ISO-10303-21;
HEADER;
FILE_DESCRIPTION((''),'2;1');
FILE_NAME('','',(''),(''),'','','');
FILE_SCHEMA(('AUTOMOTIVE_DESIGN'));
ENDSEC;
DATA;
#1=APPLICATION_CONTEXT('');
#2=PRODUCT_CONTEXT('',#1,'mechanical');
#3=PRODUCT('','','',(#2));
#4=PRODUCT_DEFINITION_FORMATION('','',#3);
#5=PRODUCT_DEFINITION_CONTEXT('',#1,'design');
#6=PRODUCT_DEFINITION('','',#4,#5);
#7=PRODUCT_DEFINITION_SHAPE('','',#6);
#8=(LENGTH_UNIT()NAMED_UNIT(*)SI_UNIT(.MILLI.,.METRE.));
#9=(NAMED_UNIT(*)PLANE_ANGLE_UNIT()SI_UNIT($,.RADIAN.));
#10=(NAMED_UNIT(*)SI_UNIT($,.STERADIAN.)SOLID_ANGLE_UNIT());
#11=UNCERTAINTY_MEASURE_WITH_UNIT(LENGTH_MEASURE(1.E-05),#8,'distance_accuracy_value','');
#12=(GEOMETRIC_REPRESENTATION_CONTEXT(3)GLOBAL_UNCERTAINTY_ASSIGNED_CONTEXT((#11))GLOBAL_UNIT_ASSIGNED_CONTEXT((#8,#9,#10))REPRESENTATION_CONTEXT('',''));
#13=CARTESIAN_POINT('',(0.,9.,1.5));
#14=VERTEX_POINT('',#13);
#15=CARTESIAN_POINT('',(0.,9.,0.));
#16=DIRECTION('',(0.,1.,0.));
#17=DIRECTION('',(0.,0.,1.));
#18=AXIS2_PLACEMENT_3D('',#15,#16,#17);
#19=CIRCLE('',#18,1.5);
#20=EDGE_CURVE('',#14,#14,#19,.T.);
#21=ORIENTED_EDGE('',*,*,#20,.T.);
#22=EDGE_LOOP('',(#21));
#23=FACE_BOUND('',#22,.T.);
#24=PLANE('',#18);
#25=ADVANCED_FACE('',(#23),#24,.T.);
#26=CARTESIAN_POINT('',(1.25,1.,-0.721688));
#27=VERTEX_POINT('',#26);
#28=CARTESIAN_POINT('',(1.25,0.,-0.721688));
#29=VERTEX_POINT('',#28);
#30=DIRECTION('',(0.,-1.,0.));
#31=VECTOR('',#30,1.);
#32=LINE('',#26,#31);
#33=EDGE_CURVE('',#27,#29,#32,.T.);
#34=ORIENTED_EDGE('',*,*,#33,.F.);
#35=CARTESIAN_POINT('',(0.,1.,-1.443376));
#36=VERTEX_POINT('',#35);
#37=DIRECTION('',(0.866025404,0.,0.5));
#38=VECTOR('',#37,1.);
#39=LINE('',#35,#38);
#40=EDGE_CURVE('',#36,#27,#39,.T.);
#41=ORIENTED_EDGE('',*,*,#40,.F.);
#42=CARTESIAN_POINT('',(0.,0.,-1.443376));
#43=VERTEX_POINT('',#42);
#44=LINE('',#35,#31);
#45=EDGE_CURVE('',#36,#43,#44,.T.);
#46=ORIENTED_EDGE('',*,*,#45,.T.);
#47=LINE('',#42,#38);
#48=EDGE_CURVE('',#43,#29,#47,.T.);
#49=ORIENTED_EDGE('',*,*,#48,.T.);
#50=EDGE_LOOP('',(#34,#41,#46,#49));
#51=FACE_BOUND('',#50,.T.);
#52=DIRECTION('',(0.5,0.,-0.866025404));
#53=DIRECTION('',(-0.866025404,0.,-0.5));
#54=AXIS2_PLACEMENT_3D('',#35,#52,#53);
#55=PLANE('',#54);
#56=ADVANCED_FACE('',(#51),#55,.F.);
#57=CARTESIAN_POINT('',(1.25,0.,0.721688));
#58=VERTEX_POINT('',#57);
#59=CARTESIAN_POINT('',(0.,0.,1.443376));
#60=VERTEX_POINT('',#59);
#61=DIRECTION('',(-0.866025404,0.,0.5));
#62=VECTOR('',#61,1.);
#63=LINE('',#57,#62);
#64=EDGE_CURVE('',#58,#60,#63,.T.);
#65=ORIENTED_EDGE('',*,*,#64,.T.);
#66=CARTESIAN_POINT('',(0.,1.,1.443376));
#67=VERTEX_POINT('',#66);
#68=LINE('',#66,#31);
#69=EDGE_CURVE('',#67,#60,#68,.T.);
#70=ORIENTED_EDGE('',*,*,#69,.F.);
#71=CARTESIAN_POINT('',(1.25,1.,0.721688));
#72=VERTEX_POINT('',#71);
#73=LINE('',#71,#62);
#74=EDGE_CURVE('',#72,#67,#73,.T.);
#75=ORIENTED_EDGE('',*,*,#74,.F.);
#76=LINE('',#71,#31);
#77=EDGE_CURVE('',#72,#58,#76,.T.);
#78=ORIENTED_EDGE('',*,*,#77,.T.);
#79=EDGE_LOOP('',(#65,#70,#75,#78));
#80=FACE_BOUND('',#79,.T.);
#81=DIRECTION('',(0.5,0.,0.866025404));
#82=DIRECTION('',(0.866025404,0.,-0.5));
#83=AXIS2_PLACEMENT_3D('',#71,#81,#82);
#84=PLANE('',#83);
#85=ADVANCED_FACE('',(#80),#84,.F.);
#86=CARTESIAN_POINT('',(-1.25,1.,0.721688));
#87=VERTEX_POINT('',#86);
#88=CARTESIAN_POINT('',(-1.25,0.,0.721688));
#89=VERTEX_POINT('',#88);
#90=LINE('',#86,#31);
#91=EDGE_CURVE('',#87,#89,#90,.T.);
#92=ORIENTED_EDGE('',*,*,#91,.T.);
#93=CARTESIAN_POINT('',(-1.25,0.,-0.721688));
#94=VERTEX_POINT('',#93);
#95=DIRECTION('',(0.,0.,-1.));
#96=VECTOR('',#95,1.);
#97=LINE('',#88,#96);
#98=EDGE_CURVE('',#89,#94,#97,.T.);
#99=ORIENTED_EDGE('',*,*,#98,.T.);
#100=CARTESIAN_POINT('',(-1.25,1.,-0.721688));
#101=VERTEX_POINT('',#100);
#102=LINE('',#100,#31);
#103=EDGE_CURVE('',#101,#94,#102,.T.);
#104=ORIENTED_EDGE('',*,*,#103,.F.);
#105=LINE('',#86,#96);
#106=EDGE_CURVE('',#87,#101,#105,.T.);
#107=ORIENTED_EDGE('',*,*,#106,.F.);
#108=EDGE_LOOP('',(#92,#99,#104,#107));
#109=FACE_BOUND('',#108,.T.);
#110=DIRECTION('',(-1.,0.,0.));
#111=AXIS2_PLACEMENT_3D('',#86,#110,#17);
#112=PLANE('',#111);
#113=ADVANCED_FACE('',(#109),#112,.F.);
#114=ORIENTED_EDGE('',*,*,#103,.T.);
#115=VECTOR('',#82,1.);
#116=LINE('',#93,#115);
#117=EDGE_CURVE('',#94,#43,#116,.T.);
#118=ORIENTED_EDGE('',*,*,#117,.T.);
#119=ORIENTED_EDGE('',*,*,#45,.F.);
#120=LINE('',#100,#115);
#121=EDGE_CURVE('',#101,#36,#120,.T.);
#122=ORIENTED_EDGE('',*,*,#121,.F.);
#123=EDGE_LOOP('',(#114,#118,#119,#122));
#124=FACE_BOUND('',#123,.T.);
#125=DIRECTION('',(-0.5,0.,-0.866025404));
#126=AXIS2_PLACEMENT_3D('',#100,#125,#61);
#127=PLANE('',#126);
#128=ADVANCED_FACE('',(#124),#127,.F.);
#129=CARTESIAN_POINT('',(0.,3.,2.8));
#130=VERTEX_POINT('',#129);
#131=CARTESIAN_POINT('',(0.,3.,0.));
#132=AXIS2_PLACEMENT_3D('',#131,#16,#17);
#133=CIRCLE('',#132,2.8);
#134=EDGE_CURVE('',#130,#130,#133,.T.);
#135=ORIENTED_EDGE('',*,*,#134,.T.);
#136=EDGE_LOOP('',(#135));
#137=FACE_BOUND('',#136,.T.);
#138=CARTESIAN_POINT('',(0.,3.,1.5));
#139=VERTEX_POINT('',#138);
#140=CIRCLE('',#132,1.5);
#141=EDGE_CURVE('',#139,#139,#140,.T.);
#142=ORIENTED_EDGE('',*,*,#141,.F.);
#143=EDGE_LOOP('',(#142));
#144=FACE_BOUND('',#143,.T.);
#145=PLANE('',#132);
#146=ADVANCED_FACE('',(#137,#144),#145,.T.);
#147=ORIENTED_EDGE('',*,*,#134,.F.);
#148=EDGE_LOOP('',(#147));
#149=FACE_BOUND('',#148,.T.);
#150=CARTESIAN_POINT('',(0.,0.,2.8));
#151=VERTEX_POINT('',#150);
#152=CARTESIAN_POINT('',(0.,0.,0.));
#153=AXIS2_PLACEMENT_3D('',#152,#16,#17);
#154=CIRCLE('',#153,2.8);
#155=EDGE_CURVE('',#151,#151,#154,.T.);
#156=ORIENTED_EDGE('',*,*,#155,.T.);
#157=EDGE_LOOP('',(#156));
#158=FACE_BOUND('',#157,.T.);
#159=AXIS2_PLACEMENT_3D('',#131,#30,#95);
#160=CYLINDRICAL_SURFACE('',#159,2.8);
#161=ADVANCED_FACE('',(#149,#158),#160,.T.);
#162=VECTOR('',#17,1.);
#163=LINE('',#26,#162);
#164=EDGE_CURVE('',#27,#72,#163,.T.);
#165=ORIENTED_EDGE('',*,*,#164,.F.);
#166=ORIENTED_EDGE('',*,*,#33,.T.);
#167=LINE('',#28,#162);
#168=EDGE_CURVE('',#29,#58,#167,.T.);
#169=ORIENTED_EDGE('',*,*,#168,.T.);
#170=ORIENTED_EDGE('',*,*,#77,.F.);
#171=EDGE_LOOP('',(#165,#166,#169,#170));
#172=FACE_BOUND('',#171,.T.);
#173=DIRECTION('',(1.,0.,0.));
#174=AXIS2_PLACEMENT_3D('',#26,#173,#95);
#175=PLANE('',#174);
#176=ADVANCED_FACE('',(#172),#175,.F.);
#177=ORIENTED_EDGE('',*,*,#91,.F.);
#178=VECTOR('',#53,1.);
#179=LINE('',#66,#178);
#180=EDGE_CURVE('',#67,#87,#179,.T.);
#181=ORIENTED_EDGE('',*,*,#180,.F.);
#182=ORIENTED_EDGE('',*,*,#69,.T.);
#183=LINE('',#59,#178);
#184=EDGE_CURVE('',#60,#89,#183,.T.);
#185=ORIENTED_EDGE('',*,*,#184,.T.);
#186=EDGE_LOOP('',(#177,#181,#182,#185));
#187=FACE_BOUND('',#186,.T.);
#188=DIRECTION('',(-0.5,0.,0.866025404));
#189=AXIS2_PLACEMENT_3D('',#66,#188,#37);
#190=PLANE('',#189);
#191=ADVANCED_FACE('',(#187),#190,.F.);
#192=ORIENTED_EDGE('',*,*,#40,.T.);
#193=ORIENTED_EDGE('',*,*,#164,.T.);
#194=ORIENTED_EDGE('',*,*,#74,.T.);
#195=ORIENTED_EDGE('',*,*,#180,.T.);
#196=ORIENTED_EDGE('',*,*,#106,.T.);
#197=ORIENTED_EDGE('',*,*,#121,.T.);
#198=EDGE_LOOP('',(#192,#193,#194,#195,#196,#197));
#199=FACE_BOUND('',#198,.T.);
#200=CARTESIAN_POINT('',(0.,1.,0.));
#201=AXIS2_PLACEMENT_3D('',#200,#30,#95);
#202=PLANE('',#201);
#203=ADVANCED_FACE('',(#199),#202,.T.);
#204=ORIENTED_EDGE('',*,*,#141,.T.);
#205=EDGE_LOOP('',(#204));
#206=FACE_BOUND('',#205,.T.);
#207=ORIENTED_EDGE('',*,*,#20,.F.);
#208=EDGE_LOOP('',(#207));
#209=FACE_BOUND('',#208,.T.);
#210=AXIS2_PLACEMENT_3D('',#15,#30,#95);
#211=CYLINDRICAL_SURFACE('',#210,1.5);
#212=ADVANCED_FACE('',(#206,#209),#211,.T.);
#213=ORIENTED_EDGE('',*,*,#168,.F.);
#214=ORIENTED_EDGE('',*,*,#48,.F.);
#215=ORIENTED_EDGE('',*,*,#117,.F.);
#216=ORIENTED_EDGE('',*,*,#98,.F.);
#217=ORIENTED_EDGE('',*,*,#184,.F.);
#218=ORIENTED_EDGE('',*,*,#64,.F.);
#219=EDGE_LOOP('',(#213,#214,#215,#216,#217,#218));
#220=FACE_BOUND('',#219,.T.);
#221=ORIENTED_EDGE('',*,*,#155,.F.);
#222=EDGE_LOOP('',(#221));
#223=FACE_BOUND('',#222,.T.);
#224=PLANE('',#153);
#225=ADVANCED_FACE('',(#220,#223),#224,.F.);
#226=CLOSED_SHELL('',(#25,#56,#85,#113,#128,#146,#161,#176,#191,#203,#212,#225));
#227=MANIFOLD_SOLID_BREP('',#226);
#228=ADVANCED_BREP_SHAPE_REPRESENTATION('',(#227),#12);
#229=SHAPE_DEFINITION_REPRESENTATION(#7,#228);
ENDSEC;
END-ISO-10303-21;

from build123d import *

# Parameters (mm, degrees)
SKETCH_1_R          = 2.8
EXTRUDE_1_DEPTH     = 3
SKETCH_2_R          = 1.5
EXTRUDE_2_DEPTH     = 6
CUT_EXTRUDE_1_DEPTH = 1


with BuildPart() as part:
    # 草图1 → 凸台-拉伸1 (new body)
    with BuildSketch(Plane(origin=(0, 0, 0), x_dir=(1, 0, 0), z_dir=(0, 1, 0))):
        with Locations(Location((0, 0, 0), (0, 0, 270))):
            Circle(SKETCH_1_R)
    extrude(amount=EXTRUDE_1_DEPTH)

    # 草图2 → 凸台-拉伸2 (add)
    with BuildSketch(Plane(origin=(0, 3, 0), x_dir=(1, 0, 0), z_dir=(0, 1, 0))):
        with Locations(Location((0, 0, 0), (0, 0, 270))):
            Circle(SKETCH_2_R)
    extrude(amount=EXTRUDE_2_DEPTH)

    # 草图3 → 切除-拉伸1 (cut)
    with BuildSketch(Plane.XZ):
        Polygon((0, 1.443375673), (-1.25, 0.721687836), (-1.25, -0.721687836), (0, -1.443375673), (1.25, -0.721687836), (1.25, 0.721687836), align=None)
    extrude(amount=-CUT_EXTRUDE_1_DEPTH, mode=Mode.SUBTRACT)


solid = part.part
